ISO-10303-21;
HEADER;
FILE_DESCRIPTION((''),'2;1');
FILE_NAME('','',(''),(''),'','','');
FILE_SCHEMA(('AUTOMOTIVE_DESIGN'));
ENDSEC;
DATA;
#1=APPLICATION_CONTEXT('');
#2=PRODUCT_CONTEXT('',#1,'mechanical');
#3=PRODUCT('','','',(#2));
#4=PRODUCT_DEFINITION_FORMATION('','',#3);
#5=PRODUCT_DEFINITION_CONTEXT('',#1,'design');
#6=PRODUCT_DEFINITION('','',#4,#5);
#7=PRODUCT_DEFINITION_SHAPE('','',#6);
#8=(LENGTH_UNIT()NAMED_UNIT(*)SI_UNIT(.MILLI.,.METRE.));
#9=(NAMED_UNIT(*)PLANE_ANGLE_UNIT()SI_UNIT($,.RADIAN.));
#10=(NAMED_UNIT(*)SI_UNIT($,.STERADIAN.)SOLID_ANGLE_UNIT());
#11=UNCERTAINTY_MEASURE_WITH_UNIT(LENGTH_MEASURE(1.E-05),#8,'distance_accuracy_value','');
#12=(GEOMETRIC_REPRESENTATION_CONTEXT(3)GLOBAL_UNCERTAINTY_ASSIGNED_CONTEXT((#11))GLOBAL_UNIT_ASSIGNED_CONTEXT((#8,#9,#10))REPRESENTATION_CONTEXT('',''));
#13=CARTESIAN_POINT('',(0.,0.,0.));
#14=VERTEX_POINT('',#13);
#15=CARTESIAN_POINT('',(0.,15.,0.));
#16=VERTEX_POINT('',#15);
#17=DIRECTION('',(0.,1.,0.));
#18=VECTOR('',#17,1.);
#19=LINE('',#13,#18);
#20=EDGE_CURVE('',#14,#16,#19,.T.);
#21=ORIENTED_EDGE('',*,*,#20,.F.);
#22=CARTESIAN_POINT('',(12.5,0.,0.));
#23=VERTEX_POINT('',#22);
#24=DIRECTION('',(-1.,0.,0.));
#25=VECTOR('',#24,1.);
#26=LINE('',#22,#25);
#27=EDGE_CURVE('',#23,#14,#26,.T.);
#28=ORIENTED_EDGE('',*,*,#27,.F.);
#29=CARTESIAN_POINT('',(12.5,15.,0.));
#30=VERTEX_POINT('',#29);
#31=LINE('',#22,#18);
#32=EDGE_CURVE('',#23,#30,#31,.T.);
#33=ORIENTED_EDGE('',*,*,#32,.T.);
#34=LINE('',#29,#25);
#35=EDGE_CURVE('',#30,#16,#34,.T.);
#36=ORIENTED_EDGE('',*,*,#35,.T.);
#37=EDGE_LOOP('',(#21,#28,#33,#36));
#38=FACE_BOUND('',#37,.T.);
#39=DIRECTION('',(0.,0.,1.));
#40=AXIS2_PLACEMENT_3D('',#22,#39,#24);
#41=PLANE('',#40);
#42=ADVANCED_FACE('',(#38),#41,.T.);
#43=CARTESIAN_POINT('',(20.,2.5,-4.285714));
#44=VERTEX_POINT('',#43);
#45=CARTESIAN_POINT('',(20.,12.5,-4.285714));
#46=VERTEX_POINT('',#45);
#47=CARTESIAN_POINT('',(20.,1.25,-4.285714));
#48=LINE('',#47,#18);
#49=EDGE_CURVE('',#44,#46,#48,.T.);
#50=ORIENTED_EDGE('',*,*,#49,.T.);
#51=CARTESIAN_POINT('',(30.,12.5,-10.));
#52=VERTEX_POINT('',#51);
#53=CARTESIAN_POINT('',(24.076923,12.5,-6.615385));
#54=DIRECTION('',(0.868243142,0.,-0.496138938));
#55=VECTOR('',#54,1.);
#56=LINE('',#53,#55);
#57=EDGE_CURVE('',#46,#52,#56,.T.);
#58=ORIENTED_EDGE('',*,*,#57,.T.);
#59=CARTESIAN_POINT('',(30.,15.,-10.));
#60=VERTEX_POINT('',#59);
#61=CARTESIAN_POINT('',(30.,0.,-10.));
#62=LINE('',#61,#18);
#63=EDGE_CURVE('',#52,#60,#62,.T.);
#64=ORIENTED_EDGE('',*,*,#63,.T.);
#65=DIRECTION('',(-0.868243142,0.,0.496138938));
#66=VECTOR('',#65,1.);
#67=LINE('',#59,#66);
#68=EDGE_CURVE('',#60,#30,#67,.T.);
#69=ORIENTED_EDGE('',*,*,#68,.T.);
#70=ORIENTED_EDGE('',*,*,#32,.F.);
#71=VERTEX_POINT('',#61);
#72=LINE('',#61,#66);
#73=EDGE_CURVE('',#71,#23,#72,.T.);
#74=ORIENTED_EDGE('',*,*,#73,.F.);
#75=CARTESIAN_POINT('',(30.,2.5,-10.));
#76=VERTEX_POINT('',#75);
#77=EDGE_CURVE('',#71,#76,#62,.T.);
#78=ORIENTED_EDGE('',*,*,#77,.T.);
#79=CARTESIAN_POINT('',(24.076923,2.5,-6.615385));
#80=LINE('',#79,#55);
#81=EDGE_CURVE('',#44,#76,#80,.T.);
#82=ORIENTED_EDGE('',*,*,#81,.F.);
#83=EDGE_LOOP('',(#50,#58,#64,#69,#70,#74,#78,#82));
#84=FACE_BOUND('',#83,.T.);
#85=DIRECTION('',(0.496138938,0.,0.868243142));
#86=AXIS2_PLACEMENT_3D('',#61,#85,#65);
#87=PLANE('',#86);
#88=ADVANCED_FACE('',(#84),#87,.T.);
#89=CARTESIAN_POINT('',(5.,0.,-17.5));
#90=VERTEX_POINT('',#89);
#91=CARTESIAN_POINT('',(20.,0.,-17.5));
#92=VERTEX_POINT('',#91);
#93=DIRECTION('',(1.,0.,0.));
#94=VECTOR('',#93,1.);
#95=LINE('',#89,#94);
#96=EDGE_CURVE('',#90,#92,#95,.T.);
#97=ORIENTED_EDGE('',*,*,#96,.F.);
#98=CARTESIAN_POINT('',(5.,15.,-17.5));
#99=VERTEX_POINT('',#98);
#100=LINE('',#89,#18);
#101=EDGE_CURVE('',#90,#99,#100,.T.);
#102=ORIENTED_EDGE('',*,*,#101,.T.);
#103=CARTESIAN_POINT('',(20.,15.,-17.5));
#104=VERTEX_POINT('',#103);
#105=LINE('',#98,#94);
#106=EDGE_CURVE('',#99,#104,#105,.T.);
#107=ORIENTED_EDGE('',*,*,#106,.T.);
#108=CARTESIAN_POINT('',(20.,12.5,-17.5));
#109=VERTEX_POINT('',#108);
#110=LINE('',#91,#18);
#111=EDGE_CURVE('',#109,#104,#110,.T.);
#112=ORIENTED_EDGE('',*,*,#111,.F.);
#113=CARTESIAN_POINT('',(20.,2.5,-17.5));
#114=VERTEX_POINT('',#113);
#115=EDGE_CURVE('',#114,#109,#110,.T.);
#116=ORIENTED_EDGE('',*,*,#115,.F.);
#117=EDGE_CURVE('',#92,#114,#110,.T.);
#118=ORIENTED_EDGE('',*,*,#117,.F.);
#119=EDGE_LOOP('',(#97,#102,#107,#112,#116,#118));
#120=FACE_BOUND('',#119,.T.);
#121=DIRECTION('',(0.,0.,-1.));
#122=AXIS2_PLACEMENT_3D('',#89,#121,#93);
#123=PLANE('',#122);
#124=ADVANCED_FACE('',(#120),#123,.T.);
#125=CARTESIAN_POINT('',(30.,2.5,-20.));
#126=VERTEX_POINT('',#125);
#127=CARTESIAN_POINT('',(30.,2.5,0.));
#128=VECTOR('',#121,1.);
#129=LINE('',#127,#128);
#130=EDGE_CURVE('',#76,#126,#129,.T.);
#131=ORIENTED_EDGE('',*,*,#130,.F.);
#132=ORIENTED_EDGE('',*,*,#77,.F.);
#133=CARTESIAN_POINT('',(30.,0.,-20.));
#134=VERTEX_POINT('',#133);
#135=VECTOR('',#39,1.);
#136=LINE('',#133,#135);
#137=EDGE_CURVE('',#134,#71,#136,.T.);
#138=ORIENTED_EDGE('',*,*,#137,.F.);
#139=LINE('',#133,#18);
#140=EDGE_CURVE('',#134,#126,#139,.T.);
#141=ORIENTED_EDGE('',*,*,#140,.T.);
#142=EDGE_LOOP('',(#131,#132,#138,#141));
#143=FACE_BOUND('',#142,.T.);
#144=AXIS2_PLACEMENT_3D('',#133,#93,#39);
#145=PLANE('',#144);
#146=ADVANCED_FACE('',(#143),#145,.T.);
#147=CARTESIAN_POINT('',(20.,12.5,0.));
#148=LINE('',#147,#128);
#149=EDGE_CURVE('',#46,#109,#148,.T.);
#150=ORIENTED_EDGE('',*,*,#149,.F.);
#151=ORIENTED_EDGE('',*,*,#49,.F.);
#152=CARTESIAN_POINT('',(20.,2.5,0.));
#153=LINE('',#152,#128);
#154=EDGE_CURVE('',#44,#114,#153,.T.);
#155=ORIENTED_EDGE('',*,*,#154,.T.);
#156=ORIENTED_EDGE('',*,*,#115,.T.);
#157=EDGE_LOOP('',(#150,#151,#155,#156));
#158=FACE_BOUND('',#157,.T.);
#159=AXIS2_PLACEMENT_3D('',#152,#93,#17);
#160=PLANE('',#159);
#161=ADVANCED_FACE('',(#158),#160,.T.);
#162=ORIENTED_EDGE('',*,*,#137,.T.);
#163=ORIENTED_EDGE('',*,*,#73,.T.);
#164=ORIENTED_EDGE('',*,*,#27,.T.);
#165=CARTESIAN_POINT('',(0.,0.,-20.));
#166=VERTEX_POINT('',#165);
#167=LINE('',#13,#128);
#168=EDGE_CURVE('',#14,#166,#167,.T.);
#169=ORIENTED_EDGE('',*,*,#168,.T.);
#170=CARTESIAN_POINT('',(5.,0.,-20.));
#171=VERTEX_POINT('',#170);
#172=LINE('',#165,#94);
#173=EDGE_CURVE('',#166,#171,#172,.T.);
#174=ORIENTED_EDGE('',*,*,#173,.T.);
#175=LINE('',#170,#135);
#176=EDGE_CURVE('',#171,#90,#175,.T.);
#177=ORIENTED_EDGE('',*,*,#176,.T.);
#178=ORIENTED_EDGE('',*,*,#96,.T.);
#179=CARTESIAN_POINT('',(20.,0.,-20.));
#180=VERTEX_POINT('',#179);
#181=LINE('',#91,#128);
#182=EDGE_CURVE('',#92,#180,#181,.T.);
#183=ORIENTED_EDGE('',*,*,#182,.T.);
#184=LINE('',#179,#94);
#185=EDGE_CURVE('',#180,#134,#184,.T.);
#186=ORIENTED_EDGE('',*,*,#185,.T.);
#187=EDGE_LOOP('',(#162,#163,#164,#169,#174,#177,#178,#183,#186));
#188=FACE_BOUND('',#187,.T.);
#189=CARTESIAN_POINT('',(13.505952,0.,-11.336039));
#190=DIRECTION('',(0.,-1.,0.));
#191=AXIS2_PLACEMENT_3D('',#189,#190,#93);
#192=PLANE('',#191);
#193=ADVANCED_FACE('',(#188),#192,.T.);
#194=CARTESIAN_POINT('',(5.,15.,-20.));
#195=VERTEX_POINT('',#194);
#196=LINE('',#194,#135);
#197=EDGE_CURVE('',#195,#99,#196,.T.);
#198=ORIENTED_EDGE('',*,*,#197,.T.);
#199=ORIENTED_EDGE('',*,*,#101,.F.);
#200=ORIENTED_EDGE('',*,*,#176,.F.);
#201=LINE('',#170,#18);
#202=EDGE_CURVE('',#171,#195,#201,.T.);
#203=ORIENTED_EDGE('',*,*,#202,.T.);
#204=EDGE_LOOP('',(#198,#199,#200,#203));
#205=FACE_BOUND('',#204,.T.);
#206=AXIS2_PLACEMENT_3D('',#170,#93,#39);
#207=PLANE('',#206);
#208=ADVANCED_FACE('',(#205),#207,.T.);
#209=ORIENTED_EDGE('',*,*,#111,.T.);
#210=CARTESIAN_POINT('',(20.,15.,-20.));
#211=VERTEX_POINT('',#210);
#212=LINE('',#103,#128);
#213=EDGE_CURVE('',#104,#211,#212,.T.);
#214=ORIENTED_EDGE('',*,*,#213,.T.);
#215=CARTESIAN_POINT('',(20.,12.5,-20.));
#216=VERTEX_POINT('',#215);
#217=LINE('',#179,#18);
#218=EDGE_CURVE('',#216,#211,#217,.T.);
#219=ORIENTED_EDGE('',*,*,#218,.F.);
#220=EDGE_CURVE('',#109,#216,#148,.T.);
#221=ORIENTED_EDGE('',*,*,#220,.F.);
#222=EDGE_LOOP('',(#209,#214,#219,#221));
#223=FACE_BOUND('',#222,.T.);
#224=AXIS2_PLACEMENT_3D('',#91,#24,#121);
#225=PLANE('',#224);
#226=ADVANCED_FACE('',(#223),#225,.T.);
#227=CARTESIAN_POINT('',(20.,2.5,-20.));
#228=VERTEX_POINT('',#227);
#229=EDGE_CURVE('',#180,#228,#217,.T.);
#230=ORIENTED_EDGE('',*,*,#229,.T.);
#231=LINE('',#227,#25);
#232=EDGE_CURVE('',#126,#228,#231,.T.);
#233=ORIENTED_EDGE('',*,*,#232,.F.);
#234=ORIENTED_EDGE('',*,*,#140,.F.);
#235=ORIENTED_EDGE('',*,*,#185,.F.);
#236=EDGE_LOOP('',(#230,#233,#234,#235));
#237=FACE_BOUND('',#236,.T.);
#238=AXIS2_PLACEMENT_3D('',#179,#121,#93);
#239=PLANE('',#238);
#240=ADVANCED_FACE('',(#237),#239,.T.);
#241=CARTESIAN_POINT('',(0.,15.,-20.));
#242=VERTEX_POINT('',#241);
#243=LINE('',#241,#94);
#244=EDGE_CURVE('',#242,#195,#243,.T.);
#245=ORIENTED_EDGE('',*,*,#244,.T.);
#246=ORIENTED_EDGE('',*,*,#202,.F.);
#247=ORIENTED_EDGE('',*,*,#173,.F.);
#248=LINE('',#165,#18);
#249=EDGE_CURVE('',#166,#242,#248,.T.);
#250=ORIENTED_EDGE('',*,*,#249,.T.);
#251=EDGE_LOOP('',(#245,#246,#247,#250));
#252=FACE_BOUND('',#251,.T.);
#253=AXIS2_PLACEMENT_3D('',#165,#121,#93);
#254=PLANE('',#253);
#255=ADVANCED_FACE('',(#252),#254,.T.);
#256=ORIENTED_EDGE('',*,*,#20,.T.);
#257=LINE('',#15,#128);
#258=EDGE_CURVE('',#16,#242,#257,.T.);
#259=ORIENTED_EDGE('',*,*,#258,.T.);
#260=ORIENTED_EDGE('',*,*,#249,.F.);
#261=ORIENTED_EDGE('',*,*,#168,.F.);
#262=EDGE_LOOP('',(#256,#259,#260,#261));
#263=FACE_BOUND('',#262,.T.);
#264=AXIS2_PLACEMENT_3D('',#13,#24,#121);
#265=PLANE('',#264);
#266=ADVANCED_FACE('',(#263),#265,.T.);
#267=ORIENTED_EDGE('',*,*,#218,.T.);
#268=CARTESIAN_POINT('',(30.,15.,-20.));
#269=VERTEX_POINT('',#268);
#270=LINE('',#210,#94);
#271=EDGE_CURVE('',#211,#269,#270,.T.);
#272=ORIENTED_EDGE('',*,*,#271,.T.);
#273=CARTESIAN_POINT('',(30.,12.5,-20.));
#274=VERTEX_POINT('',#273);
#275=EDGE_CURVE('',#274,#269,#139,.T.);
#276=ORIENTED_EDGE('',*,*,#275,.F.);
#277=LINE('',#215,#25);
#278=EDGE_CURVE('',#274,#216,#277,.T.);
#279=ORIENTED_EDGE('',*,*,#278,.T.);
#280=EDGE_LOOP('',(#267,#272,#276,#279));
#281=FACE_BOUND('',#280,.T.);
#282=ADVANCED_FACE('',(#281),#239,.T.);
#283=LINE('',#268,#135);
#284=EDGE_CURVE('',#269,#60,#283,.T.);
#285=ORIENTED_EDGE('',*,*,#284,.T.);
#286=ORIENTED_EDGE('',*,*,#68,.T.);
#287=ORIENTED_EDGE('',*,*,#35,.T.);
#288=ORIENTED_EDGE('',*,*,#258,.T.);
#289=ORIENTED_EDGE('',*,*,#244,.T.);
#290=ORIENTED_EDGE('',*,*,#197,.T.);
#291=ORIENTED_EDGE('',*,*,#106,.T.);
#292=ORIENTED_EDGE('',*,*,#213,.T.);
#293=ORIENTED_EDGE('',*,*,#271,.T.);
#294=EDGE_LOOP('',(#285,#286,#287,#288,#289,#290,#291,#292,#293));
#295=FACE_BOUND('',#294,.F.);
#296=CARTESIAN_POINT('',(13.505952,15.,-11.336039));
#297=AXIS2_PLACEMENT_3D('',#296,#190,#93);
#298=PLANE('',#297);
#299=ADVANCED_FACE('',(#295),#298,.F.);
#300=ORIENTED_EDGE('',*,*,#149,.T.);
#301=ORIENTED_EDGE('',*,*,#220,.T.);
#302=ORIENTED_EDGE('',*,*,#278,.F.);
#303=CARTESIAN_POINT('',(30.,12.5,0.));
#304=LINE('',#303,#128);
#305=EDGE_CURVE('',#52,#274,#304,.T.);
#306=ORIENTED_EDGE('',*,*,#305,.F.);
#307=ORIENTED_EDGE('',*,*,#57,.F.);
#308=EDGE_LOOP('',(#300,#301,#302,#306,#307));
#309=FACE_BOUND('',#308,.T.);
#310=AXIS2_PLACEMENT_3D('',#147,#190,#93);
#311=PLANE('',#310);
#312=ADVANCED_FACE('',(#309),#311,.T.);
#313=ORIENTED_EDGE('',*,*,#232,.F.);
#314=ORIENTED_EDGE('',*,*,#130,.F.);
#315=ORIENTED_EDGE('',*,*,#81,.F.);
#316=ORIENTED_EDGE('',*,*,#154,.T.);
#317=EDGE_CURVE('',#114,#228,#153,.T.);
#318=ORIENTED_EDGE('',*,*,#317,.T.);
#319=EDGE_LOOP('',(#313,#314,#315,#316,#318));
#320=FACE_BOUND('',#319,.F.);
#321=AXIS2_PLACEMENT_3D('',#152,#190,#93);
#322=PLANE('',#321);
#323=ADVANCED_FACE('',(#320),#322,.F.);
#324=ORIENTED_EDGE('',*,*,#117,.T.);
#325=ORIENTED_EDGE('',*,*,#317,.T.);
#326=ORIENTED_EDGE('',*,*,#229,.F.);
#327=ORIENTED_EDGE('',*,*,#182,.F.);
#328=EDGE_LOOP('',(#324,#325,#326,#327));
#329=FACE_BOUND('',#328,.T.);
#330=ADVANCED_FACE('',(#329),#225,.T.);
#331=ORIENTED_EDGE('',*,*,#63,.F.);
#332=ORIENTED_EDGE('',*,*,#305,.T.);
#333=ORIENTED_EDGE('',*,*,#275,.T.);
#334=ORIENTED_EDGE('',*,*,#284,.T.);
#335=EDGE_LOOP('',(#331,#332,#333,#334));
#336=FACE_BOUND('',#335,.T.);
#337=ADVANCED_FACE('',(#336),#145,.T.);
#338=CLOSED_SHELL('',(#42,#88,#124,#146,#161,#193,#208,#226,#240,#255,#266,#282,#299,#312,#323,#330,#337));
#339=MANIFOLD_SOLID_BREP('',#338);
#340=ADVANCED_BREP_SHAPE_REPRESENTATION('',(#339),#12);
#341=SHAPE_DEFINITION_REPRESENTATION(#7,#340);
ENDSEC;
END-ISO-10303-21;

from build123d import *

# Parameters (mm, degrees)
F1_DEPTH = 15
F2_W     = 10
F2_H     = 10
F3_DEPTH = 25


with BuildPart() as f1:
    # F0 (on Front) → F1 (new body)
    with BuildSketch(Plane.XZ):
        Polygon((12.5, 0), (0, 0), (0, -20), (5, -20), (5, -17.5), (20, -17.5), (20, -20), (30, -20), (30, -10), align=None)
    extrude(amount=-F1_DEPTH)

    # F2 (on face) → F3 (cut)
    with BuildSketch(Plane.XY):
        with Locations((25, 7.5)):
            Rectangle(F2_W, F2_H)
    extrude(amount=-F3_DEPTH, mode=Mode.SUBTRACT)


solid = f1.part
